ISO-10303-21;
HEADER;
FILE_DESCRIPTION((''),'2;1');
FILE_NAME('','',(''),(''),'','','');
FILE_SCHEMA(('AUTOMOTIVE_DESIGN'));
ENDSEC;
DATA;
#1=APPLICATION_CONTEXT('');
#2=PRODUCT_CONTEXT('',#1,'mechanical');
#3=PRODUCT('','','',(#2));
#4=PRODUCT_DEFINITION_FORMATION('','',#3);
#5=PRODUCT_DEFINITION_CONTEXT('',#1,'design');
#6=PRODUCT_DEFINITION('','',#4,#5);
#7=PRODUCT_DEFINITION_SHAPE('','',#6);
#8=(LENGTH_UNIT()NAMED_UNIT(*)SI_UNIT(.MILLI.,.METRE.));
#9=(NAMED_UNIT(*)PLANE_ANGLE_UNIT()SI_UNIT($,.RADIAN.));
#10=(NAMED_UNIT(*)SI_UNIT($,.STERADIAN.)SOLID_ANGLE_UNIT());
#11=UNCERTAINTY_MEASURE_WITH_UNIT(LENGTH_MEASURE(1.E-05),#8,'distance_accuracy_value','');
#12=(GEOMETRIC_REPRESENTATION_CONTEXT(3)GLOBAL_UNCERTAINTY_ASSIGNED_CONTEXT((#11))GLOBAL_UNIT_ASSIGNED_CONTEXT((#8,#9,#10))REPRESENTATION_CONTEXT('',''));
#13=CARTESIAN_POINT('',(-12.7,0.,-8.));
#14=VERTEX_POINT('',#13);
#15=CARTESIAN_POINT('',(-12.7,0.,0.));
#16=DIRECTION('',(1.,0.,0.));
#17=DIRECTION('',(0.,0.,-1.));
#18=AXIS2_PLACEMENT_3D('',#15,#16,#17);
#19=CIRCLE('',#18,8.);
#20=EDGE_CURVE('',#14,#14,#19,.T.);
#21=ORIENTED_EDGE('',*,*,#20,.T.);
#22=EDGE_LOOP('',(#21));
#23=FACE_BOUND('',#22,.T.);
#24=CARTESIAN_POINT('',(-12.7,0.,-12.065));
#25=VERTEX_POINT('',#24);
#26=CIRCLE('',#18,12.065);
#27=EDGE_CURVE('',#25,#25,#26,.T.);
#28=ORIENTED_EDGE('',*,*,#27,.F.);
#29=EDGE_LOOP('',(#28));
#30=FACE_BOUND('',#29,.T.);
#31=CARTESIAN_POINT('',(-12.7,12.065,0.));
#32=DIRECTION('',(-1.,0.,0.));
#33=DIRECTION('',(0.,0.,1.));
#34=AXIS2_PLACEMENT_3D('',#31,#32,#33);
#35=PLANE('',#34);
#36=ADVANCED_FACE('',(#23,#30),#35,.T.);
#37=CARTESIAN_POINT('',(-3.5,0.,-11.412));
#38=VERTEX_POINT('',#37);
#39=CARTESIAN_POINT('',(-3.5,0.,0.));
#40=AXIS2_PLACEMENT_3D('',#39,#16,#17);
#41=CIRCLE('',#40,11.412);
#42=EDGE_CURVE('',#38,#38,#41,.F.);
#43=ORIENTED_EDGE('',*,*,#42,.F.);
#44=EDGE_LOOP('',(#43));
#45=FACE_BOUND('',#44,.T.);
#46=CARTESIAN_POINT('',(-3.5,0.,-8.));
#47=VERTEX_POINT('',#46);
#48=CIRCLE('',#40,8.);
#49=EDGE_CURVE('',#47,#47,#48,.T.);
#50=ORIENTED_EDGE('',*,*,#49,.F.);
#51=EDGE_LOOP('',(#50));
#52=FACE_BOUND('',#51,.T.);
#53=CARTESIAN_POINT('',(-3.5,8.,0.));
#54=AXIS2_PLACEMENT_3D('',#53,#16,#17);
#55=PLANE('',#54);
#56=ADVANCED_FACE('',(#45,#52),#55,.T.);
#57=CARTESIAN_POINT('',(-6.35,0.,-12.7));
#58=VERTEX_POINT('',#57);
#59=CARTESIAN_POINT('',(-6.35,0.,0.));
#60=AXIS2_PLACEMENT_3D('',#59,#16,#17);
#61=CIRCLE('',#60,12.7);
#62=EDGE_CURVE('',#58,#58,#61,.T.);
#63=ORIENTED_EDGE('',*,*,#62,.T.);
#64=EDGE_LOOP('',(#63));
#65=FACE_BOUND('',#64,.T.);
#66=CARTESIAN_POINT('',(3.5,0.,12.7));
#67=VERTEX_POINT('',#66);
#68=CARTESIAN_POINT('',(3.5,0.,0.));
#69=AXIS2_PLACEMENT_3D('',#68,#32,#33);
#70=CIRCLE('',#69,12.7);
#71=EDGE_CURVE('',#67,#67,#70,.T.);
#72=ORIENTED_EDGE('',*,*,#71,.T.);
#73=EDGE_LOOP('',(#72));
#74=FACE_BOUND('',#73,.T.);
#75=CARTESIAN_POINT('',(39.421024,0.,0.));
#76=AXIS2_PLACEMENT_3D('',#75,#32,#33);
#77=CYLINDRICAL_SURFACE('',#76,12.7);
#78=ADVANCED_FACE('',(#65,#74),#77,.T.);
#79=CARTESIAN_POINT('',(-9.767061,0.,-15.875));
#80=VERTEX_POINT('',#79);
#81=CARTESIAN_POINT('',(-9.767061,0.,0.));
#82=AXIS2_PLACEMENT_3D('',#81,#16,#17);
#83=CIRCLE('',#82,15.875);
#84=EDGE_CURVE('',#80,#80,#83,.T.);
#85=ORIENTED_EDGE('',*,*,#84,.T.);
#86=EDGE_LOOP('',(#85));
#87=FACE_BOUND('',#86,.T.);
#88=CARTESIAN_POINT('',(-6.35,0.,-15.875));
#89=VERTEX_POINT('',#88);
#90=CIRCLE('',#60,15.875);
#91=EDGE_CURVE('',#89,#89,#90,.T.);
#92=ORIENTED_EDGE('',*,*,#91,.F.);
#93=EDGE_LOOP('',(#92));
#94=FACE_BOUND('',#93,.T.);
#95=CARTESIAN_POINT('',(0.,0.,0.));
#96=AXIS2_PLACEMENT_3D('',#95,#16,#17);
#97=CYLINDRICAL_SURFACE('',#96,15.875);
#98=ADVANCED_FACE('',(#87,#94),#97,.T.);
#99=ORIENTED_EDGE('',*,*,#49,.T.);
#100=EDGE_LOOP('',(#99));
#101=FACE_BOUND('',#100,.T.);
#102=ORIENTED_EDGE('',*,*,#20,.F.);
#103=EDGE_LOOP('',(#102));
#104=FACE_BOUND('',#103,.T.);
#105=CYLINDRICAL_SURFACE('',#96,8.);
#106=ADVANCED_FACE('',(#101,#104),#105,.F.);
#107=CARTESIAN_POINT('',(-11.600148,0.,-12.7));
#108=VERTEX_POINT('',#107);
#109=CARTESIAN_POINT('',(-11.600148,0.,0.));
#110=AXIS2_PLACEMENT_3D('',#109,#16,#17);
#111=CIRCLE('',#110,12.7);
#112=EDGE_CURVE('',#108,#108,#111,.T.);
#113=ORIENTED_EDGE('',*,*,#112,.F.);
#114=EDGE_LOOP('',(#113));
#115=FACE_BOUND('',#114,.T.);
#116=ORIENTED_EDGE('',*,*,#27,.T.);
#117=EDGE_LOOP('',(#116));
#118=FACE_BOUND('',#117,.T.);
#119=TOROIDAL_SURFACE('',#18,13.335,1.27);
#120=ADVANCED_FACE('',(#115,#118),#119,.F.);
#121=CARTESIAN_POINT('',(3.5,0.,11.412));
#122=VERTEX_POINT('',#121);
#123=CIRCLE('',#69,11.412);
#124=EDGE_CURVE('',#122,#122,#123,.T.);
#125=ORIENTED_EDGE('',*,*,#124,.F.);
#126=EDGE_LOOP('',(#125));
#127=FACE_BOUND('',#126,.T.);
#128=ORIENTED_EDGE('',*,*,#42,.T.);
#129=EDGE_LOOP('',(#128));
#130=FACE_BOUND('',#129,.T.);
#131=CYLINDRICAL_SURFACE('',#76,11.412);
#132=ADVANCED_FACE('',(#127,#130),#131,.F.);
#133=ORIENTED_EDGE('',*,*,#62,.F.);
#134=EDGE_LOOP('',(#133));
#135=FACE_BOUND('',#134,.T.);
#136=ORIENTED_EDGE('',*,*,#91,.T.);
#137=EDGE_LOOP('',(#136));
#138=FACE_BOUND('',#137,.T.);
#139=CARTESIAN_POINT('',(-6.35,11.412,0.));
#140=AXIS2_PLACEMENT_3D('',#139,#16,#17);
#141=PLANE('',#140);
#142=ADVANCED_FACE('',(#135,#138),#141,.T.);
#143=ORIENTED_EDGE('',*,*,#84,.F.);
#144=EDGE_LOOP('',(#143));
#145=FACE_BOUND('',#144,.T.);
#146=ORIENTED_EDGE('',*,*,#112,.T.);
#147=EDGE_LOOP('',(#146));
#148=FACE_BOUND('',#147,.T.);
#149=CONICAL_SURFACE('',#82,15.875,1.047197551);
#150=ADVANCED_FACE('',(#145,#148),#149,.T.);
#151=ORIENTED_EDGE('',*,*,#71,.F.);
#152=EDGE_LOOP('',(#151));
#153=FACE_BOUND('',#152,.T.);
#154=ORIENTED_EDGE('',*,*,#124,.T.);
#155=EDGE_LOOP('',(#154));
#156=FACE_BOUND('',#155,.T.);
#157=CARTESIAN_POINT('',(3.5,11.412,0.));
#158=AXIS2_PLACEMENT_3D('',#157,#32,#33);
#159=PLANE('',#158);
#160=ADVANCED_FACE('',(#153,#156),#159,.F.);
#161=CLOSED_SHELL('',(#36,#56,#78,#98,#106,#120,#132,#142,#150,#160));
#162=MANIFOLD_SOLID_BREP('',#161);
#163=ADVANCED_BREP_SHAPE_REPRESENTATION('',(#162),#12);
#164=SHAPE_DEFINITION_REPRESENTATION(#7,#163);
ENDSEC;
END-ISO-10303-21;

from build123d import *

# Parameters (mm, degrees)
SKETCH2_R           = 12.7
SKETCH2_R_2         = 11.412
BOSS_EXTRUDE1_DEPTH = 9.85


with BuildPart() as part:
    # Sketch1 → Revolve1 (revolve)
    with BuildSketch(Plane.XY, mode=Mode.PRIVATE) as revolve1_sk:
        with BuildLine():
            Line((-3.5, 8), (-3.5, 11.412))
            Line((-3.5, 11.412), (-6.35, 11.412))
            Line((-6.35, 11.412), (-6.35, 15.875))
            Line((-6.35, 15.875), (-9.767060633, 15.875))
            Line((-9.767060633, 15.875), (-11.600147737, 12.7))
            ThreePointArc((-11.600147737, 12.7), (-12.065, 12.235147737), (-12.7, 12.065))
            Line((-12.7, 12.065), (-12.7, 8))
            Line((-12.7, 8), (-3.5, 8))
        make_face()
    revolve(revolve1_sk.sketch.rotate(Axis((0, 0, 0), (-1, 0, 0)), 90), axis=Axis((0, 0, 0), (-1, 0, 0)))

    # Sketch2 → Boss-Extrude1 (add)
    with BuildSketch(Plane(origin=(-6.35, 0, 0), x_dir=(0, 0, -1), z_dir=(1, 0, 0))):
        with Locations(Location((0, 0, 0), (0, 0, 180))):
            Circle(SKETCH2_R)
        with Locations(Location((0, 0, 0), (0, 0, 180))):
            Circle(SKETCH2_R_2, mode=Mode.SUBTRACT)
    extrude(amount=BOSS_EXTRUDE1_DEPTH)


solid = part.part
